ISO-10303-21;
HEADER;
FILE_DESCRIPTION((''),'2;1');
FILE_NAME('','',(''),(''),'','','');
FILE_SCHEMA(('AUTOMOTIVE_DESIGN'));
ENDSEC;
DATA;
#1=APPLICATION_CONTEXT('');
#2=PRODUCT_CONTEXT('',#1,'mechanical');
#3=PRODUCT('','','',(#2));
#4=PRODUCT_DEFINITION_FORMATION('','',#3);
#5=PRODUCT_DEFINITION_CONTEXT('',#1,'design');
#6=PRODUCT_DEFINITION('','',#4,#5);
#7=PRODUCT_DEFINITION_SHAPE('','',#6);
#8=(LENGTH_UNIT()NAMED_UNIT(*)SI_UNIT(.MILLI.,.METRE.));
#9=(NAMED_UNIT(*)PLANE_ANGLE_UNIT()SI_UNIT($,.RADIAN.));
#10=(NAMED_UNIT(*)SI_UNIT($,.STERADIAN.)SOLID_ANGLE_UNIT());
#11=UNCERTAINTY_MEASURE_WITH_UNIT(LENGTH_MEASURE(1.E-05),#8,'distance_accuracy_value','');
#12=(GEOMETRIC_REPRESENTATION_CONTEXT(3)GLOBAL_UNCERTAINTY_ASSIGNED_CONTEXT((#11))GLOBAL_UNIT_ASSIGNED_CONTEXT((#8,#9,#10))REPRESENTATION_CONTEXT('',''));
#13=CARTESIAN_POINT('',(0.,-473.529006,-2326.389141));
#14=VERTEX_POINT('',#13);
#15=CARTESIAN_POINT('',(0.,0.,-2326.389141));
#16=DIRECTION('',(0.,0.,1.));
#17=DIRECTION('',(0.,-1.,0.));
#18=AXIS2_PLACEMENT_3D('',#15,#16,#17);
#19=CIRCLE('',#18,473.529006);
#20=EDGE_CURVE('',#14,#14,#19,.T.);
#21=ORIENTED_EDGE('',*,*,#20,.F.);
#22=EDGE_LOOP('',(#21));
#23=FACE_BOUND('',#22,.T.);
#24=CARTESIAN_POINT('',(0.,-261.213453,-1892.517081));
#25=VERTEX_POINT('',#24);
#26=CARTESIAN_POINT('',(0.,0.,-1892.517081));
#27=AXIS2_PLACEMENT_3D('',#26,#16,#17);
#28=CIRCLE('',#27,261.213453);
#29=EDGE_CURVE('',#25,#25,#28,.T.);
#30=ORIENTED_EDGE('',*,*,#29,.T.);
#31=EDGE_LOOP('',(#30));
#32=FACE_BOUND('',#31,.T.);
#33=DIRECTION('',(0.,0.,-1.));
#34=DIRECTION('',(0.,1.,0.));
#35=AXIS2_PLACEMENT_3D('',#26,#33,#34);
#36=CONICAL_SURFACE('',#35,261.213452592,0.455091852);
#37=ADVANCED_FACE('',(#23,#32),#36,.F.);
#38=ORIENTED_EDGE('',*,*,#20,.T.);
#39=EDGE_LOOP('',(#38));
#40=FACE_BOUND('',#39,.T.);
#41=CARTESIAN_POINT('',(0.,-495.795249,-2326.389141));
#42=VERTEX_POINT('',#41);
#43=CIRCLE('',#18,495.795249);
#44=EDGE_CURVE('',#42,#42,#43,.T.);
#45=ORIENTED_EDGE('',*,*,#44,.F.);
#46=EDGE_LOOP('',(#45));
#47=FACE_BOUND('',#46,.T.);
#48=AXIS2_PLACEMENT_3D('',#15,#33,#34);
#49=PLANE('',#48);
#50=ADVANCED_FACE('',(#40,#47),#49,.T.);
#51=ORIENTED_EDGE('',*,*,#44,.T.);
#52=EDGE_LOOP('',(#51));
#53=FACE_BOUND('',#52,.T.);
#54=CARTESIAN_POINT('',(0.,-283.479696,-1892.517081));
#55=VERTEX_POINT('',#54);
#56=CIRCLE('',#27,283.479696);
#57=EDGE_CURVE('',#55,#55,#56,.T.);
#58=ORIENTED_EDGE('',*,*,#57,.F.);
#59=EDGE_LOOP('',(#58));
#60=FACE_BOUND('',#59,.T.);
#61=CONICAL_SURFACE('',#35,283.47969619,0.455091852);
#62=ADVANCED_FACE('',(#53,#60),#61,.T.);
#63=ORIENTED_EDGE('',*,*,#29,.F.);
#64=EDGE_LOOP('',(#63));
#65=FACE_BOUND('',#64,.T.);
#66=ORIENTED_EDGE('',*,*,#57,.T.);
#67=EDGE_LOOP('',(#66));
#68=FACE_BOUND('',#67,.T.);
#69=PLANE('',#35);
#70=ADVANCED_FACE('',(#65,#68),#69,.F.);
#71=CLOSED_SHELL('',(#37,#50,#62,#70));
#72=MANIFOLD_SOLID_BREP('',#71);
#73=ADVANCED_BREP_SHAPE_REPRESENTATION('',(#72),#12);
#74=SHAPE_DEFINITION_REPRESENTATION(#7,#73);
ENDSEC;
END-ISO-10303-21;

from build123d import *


with BuildPart() as part:
    # Sketch1 → Revolve1 (revolve)
    with BuildSketch(Plane(origin=(0, 0, 0), x_dir=(0, 0, -1), z_dir=(1, 0, 0))):
        Polygon((1892.517080646, 283.47969619), (2326.389140959, 495.795249314), (2326.389140959, 473.529005716), (1892.517080646, 261.213452592), align=None)
    revolve(axis=Axis((0, 0, -1891.07774677), (0, 0, -1)))


solid = part.part
